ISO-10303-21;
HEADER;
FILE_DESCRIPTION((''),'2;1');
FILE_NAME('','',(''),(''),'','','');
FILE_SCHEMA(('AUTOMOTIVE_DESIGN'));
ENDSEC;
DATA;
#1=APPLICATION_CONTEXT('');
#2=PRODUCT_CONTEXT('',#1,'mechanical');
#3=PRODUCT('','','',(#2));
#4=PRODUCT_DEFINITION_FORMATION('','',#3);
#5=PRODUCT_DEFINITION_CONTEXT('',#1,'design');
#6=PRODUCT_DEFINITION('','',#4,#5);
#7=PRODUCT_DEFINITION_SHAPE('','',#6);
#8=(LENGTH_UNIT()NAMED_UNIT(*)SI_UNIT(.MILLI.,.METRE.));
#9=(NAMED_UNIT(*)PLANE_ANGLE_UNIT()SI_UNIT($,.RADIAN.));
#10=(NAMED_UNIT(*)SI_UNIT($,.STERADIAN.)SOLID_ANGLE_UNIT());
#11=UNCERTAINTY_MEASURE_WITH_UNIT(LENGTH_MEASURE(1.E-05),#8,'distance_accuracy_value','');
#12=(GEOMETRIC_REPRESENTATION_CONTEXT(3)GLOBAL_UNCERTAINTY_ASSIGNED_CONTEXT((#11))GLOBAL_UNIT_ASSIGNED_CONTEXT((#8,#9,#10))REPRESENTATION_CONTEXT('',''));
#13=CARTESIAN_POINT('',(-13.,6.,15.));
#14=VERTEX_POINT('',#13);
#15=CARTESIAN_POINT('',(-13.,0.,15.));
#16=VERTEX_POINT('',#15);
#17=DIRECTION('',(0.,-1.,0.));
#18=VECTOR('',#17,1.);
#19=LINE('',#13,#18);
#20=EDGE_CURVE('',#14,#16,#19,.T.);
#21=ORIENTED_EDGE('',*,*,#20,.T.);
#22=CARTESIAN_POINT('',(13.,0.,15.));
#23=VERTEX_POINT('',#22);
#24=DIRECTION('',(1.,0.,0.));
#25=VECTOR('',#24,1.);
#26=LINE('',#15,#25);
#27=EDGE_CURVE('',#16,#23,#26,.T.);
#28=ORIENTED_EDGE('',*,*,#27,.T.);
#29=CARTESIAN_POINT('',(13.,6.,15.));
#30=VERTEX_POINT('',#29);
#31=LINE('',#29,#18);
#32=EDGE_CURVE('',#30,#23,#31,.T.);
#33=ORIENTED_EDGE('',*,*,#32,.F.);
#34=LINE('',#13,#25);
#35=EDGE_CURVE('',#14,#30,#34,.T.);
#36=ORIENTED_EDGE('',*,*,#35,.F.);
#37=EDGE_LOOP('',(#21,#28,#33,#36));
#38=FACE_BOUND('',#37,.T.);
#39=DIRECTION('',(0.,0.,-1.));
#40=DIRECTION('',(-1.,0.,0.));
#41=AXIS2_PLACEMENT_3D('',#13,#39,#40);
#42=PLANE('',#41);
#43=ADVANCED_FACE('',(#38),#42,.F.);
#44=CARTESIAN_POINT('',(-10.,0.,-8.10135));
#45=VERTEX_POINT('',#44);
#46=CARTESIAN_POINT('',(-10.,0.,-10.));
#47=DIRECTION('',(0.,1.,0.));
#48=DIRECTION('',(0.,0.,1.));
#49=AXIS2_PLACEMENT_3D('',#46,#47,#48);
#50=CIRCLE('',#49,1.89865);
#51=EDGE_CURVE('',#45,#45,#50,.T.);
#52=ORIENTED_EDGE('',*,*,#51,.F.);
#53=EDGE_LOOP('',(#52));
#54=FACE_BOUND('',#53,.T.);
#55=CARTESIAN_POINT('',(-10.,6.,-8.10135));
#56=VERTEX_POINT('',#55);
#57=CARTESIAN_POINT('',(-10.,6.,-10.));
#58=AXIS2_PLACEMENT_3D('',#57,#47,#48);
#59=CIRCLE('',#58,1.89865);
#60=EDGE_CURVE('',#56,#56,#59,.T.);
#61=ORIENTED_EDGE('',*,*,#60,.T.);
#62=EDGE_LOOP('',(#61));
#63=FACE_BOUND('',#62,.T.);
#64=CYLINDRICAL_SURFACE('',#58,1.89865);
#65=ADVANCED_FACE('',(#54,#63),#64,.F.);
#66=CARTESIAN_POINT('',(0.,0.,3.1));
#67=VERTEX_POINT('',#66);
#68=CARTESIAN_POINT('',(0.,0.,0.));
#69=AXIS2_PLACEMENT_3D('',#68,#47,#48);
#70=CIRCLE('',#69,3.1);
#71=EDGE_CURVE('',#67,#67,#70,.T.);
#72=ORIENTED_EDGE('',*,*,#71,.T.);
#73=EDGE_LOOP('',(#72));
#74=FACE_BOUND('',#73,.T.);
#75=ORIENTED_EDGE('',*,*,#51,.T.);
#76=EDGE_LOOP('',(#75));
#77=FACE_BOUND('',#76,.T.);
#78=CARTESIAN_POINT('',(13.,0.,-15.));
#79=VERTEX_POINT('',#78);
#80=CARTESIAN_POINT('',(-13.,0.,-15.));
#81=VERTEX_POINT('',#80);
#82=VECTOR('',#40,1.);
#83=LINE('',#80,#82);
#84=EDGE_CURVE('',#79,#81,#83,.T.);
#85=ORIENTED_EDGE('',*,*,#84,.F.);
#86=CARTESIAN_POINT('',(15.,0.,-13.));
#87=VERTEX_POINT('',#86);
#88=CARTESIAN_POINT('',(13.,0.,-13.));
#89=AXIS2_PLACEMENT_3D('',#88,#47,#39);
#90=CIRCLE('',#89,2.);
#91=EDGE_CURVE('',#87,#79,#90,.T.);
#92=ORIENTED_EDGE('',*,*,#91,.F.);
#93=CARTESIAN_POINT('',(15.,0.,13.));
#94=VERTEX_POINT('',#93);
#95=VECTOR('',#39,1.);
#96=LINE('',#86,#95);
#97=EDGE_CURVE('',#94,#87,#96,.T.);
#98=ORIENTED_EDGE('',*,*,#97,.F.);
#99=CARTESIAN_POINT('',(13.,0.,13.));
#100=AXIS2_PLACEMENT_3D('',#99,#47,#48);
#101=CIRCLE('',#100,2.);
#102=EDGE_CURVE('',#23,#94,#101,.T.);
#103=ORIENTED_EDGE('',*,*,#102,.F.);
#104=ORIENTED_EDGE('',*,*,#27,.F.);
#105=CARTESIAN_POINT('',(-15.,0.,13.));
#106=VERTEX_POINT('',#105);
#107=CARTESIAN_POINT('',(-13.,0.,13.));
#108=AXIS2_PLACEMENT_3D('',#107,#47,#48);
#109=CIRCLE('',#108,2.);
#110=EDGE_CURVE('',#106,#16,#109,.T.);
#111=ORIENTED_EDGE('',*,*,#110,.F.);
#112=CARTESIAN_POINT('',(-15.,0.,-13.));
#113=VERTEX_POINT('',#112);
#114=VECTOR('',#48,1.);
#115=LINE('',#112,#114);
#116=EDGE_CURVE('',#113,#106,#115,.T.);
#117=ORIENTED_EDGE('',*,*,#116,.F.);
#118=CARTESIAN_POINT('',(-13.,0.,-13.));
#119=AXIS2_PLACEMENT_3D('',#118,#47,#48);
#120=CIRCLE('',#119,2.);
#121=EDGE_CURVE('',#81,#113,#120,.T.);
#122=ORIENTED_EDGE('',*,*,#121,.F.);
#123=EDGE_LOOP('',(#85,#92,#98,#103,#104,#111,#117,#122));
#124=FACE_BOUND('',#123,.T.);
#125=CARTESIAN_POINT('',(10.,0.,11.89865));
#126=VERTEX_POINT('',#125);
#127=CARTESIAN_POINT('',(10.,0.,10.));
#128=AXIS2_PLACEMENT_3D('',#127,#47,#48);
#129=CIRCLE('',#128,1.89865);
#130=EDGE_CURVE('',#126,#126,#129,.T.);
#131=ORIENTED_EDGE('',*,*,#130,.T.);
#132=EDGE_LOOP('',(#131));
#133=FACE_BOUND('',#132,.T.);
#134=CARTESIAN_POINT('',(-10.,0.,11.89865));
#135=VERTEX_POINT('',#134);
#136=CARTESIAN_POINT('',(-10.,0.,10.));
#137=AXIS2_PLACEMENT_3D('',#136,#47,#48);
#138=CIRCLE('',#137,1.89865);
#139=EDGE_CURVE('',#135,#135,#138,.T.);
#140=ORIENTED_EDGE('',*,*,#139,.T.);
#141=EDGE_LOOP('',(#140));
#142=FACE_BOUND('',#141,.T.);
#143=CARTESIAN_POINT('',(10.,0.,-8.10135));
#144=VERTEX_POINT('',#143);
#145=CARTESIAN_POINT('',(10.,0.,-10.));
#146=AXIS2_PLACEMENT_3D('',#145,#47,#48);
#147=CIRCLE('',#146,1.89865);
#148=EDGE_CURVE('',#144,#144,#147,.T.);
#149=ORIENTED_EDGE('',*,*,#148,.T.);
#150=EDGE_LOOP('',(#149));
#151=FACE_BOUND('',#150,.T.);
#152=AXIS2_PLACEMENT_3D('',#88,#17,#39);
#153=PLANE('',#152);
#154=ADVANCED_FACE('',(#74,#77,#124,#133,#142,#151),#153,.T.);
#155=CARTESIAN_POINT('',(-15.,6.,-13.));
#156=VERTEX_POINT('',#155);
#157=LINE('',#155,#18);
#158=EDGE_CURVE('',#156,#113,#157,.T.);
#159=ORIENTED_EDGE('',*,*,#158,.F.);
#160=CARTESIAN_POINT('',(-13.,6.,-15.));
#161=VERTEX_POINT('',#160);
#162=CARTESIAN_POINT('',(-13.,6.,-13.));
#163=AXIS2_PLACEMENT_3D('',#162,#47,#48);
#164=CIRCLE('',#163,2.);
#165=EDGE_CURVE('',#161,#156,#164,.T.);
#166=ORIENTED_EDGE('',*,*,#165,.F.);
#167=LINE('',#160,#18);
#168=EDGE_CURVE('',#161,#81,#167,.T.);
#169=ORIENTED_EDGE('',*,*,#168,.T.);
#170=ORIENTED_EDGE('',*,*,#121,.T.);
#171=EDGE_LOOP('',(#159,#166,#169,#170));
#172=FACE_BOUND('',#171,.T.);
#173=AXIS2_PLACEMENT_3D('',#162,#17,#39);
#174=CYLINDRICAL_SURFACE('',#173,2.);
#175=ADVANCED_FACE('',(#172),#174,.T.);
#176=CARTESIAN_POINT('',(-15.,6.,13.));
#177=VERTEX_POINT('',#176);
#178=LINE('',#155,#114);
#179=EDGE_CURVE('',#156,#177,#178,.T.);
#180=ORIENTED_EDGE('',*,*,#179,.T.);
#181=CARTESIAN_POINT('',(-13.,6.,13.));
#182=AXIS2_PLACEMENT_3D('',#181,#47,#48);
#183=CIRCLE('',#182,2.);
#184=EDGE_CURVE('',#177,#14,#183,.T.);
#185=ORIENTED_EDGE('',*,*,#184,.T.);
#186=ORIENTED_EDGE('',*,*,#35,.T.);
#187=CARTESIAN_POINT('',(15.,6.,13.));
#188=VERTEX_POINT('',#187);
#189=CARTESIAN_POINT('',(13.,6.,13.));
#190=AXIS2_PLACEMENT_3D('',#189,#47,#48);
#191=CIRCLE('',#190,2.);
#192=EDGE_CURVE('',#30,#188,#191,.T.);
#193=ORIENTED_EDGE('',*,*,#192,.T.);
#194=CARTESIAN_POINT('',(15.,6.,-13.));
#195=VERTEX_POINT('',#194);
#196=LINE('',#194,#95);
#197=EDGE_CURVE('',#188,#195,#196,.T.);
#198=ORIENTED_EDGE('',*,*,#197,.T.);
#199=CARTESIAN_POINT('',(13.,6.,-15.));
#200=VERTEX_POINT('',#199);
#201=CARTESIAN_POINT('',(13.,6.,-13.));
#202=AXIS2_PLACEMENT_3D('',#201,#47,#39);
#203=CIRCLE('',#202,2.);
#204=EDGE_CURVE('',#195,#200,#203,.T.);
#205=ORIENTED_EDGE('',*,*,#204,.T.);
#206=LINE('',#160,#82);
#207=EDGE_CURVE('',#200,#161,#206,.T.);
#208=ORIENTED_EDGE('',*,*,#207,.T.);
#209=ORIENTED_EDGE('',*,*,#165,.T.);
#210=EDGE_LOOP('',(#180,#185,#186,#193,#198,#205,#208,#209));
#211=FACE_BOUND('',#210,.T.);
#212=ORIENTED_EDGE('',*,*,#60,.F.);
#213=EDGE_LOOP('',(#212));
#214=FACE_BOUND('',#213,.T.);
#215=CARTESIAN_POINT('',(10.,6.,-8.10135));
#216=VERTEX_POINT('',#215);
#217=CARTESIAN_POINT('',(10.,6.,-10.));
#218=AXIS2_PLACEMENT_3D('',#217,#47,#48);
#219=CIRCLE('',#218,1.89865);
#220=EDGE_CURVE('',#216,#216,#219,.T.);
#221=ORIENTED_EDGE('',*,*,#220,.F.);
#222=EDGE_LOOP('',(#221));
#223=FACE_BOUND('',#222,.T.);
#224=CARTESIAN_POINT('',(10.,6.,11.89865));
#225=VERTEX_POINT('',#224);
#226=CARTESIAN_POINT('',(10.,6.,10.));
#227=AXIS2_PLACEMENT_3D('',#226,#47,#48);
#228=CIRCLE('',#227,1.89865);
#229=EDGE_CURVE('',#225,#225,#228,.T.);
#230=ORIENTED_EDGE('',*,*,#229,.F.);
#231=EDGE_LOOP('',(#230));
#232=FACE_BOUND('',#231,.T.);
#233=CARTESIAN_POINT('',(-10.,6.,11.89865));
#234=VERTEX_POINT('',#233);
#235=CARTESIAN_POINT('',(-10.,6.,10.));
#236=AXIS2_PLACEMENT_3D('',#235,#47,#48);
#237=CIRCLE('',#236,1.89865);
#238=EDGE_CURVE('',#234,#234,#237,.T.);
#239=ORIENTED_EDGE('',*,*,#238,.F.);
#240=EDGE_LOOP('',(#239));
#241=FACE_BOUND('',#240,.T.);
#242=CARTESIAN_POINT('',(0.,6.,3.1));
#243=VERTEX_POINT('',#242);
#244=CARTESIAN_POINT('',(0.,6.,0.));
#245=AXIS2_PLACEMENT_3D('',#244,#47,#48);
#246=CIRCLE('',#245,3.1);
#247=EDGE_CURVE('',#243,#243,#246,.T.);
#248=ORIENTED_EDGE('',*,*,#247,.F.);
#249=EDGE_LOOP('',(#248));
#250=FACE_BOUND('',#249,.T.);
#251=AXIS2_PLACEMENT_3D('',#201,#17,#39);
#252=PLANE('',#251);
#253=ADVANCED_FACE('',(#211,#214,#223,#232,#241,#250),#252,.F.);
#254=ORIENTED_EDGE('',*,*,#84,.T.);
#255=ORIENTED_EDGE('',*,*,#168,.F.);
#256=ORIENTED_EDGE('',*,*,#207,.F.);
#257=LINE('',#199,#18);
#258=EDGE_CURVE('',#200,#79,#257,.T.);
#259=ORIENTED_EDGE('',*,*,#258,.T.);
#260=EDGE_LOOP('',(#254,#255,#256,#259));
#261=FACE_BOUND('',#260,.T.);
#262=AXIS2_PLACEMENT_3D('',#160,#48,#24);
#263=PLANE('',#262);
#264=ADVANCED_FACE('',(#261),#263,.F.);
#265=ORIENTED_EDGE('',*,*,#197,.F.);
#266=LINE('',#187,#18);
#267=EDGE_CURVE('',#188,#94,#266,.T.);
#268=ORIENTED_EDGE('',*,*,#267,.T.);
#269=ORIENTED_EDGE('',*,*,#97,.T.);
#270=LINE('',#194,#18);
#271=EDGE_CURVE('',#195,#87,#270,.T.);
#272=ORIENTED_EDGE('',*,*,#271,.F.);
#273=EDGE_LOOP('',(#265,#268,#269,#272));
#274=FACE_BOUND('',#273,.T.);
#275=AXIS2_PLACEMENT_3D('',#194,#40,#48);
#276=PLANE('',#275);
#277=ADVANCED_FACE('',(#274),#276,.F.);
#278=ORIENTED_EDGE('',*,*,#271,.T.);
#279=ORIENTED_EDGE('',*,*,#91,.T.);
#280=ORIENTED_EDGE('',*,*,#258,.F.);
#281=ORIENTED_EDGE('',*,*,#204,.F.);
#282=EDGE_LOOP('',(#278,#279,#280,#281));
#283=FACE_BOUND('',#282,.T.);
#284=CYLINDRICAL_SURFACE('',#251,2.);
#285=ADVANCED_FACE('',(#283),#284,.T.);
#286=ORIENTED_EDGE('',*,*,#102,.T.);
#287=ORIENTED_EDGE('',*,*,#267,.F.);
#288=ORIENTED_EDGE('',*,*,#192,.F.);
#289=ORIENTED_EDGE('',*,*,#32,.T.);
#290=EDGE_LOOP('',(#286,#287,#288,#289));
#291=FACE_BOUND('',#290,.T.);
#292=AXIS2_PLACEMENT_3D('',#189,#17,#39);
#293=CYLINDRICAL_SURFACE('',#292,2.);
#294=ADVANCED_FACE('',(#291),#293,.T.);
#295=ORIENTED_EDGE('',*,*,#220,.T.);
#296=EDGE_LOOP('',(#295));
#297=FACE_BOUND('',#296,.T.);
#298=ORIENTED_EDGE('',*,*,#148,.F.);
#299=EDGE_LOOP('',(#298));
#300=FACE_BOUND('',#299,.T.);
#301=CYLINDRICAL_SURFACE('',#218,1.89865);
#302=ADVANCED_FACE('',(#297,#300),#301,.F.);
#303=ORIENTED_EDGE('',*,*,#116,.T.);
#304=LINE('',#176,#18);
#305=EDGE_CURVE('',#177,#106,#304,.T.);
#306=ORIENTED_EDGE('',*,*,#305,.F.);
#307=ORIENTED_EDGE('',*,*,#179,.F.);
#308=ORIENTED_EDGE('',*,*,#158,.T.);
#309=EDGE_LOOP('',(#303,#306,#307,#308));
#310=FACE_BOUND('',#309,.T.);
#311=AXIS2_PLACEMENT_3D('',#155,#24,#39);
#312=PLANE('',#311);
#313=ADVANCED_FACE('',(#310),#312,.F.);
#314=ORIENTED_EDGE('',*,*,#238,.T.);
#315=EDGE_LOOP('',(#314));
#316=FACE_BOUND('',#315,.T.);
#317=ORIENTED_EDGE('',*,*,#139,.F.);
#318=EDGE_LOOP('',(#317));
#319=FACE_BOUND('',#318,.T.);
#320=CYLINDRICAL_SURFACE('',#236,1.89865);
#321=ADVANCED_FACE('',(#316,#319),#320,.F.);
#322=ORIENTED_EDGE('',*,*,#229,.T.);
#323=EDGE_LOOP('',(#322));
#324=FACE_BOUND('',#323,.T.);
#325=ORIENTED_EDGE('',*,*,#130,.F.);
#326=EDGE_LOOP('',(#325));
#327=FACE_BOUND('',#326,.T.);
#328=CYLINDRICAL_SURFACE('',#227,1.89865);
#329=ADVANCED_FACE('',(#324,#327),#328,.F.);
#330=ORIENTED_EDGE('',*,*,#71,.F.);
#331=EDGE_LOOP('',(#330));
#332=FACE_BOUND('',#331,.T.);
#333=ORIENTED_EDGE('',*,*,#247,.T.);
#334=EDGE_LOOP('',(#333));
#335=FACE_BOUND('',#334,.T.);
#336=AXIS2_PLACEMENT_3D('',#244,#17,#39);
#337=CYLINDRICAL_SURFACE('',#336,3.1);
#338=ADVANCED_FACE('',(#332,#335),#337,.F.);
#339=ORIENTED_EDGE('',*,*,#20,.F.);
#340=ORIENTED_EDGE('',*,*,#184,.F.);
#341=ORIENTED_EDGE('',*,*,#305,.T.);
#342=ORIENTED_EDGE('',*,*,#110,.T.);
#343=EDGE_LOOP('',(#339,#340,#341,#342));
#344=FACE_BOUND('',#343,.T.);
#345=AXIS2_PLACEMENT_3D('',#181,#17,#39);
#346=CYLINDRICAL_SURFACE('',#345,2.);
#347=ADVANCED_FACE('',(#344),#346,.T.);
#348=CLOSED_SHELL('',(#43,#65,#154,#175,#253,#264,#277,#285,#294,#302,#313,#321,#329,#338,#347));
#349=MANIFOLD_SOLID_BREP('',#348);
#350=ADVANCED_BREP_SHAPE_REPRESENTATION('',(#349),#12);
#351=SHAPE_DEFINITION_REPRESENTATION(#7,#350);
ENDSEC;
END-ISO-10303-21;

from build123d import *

# Parameters (mm, degrees)
SKETCH1_R             = 3.1
BOSS_EXTRUDE1_DEPTH   = 6
F_6_CLEARANCE_HOLE1_D = 3.7973


with BuildPart() as part:
    # Sketch1 → Boss-Extrude1 (new body)
    with BuildSketch(Plane(origin=(0, 0, 0), x_dir=(1, 0, 0), z_dir=(0, 1, 0))):
        with BuildLine():
            Line((-13, 15), (13, 15))
            ThreePointArc((13, 15), (14.414213562, 14.414213562), (15, 13))
            Line((15, 13), (15, -13))
            ThreePointArc((15, -13), (14.414213562, -14.414213562), (13, -15))
            Line((13, -15), (-13, -15))
            ThreePointArc((-13, -15), (-14.414213562, -14.414213562), (-15, -13))
            Line((-15, -13), (-15, 13))
            ThreePointArc((-15, 13), (-14.414213562, 14.414213562), (-13, 15))
        make_face()
        with Locations(Location((0, 0, 0), (0, 0, 270))):
            Circle(SKETCH1_R, mode=Mode.SUBTRACT)
    extrude(amount=BOSS_EXTRUDE1_DEPTH)

    # #6 Clearance Hole1 (through all)
    with Locations(Plane(origin=(0, 6, 0), x_dir=(1, 0, 0), z_dir=(0, 1, 0))):
        with Locations((-10, 10), (10, 10), (-10, -10), (10, -10)):
            Hole(F_6_CLEARANCE_HOLE1_D / 2)


solid = part.part
